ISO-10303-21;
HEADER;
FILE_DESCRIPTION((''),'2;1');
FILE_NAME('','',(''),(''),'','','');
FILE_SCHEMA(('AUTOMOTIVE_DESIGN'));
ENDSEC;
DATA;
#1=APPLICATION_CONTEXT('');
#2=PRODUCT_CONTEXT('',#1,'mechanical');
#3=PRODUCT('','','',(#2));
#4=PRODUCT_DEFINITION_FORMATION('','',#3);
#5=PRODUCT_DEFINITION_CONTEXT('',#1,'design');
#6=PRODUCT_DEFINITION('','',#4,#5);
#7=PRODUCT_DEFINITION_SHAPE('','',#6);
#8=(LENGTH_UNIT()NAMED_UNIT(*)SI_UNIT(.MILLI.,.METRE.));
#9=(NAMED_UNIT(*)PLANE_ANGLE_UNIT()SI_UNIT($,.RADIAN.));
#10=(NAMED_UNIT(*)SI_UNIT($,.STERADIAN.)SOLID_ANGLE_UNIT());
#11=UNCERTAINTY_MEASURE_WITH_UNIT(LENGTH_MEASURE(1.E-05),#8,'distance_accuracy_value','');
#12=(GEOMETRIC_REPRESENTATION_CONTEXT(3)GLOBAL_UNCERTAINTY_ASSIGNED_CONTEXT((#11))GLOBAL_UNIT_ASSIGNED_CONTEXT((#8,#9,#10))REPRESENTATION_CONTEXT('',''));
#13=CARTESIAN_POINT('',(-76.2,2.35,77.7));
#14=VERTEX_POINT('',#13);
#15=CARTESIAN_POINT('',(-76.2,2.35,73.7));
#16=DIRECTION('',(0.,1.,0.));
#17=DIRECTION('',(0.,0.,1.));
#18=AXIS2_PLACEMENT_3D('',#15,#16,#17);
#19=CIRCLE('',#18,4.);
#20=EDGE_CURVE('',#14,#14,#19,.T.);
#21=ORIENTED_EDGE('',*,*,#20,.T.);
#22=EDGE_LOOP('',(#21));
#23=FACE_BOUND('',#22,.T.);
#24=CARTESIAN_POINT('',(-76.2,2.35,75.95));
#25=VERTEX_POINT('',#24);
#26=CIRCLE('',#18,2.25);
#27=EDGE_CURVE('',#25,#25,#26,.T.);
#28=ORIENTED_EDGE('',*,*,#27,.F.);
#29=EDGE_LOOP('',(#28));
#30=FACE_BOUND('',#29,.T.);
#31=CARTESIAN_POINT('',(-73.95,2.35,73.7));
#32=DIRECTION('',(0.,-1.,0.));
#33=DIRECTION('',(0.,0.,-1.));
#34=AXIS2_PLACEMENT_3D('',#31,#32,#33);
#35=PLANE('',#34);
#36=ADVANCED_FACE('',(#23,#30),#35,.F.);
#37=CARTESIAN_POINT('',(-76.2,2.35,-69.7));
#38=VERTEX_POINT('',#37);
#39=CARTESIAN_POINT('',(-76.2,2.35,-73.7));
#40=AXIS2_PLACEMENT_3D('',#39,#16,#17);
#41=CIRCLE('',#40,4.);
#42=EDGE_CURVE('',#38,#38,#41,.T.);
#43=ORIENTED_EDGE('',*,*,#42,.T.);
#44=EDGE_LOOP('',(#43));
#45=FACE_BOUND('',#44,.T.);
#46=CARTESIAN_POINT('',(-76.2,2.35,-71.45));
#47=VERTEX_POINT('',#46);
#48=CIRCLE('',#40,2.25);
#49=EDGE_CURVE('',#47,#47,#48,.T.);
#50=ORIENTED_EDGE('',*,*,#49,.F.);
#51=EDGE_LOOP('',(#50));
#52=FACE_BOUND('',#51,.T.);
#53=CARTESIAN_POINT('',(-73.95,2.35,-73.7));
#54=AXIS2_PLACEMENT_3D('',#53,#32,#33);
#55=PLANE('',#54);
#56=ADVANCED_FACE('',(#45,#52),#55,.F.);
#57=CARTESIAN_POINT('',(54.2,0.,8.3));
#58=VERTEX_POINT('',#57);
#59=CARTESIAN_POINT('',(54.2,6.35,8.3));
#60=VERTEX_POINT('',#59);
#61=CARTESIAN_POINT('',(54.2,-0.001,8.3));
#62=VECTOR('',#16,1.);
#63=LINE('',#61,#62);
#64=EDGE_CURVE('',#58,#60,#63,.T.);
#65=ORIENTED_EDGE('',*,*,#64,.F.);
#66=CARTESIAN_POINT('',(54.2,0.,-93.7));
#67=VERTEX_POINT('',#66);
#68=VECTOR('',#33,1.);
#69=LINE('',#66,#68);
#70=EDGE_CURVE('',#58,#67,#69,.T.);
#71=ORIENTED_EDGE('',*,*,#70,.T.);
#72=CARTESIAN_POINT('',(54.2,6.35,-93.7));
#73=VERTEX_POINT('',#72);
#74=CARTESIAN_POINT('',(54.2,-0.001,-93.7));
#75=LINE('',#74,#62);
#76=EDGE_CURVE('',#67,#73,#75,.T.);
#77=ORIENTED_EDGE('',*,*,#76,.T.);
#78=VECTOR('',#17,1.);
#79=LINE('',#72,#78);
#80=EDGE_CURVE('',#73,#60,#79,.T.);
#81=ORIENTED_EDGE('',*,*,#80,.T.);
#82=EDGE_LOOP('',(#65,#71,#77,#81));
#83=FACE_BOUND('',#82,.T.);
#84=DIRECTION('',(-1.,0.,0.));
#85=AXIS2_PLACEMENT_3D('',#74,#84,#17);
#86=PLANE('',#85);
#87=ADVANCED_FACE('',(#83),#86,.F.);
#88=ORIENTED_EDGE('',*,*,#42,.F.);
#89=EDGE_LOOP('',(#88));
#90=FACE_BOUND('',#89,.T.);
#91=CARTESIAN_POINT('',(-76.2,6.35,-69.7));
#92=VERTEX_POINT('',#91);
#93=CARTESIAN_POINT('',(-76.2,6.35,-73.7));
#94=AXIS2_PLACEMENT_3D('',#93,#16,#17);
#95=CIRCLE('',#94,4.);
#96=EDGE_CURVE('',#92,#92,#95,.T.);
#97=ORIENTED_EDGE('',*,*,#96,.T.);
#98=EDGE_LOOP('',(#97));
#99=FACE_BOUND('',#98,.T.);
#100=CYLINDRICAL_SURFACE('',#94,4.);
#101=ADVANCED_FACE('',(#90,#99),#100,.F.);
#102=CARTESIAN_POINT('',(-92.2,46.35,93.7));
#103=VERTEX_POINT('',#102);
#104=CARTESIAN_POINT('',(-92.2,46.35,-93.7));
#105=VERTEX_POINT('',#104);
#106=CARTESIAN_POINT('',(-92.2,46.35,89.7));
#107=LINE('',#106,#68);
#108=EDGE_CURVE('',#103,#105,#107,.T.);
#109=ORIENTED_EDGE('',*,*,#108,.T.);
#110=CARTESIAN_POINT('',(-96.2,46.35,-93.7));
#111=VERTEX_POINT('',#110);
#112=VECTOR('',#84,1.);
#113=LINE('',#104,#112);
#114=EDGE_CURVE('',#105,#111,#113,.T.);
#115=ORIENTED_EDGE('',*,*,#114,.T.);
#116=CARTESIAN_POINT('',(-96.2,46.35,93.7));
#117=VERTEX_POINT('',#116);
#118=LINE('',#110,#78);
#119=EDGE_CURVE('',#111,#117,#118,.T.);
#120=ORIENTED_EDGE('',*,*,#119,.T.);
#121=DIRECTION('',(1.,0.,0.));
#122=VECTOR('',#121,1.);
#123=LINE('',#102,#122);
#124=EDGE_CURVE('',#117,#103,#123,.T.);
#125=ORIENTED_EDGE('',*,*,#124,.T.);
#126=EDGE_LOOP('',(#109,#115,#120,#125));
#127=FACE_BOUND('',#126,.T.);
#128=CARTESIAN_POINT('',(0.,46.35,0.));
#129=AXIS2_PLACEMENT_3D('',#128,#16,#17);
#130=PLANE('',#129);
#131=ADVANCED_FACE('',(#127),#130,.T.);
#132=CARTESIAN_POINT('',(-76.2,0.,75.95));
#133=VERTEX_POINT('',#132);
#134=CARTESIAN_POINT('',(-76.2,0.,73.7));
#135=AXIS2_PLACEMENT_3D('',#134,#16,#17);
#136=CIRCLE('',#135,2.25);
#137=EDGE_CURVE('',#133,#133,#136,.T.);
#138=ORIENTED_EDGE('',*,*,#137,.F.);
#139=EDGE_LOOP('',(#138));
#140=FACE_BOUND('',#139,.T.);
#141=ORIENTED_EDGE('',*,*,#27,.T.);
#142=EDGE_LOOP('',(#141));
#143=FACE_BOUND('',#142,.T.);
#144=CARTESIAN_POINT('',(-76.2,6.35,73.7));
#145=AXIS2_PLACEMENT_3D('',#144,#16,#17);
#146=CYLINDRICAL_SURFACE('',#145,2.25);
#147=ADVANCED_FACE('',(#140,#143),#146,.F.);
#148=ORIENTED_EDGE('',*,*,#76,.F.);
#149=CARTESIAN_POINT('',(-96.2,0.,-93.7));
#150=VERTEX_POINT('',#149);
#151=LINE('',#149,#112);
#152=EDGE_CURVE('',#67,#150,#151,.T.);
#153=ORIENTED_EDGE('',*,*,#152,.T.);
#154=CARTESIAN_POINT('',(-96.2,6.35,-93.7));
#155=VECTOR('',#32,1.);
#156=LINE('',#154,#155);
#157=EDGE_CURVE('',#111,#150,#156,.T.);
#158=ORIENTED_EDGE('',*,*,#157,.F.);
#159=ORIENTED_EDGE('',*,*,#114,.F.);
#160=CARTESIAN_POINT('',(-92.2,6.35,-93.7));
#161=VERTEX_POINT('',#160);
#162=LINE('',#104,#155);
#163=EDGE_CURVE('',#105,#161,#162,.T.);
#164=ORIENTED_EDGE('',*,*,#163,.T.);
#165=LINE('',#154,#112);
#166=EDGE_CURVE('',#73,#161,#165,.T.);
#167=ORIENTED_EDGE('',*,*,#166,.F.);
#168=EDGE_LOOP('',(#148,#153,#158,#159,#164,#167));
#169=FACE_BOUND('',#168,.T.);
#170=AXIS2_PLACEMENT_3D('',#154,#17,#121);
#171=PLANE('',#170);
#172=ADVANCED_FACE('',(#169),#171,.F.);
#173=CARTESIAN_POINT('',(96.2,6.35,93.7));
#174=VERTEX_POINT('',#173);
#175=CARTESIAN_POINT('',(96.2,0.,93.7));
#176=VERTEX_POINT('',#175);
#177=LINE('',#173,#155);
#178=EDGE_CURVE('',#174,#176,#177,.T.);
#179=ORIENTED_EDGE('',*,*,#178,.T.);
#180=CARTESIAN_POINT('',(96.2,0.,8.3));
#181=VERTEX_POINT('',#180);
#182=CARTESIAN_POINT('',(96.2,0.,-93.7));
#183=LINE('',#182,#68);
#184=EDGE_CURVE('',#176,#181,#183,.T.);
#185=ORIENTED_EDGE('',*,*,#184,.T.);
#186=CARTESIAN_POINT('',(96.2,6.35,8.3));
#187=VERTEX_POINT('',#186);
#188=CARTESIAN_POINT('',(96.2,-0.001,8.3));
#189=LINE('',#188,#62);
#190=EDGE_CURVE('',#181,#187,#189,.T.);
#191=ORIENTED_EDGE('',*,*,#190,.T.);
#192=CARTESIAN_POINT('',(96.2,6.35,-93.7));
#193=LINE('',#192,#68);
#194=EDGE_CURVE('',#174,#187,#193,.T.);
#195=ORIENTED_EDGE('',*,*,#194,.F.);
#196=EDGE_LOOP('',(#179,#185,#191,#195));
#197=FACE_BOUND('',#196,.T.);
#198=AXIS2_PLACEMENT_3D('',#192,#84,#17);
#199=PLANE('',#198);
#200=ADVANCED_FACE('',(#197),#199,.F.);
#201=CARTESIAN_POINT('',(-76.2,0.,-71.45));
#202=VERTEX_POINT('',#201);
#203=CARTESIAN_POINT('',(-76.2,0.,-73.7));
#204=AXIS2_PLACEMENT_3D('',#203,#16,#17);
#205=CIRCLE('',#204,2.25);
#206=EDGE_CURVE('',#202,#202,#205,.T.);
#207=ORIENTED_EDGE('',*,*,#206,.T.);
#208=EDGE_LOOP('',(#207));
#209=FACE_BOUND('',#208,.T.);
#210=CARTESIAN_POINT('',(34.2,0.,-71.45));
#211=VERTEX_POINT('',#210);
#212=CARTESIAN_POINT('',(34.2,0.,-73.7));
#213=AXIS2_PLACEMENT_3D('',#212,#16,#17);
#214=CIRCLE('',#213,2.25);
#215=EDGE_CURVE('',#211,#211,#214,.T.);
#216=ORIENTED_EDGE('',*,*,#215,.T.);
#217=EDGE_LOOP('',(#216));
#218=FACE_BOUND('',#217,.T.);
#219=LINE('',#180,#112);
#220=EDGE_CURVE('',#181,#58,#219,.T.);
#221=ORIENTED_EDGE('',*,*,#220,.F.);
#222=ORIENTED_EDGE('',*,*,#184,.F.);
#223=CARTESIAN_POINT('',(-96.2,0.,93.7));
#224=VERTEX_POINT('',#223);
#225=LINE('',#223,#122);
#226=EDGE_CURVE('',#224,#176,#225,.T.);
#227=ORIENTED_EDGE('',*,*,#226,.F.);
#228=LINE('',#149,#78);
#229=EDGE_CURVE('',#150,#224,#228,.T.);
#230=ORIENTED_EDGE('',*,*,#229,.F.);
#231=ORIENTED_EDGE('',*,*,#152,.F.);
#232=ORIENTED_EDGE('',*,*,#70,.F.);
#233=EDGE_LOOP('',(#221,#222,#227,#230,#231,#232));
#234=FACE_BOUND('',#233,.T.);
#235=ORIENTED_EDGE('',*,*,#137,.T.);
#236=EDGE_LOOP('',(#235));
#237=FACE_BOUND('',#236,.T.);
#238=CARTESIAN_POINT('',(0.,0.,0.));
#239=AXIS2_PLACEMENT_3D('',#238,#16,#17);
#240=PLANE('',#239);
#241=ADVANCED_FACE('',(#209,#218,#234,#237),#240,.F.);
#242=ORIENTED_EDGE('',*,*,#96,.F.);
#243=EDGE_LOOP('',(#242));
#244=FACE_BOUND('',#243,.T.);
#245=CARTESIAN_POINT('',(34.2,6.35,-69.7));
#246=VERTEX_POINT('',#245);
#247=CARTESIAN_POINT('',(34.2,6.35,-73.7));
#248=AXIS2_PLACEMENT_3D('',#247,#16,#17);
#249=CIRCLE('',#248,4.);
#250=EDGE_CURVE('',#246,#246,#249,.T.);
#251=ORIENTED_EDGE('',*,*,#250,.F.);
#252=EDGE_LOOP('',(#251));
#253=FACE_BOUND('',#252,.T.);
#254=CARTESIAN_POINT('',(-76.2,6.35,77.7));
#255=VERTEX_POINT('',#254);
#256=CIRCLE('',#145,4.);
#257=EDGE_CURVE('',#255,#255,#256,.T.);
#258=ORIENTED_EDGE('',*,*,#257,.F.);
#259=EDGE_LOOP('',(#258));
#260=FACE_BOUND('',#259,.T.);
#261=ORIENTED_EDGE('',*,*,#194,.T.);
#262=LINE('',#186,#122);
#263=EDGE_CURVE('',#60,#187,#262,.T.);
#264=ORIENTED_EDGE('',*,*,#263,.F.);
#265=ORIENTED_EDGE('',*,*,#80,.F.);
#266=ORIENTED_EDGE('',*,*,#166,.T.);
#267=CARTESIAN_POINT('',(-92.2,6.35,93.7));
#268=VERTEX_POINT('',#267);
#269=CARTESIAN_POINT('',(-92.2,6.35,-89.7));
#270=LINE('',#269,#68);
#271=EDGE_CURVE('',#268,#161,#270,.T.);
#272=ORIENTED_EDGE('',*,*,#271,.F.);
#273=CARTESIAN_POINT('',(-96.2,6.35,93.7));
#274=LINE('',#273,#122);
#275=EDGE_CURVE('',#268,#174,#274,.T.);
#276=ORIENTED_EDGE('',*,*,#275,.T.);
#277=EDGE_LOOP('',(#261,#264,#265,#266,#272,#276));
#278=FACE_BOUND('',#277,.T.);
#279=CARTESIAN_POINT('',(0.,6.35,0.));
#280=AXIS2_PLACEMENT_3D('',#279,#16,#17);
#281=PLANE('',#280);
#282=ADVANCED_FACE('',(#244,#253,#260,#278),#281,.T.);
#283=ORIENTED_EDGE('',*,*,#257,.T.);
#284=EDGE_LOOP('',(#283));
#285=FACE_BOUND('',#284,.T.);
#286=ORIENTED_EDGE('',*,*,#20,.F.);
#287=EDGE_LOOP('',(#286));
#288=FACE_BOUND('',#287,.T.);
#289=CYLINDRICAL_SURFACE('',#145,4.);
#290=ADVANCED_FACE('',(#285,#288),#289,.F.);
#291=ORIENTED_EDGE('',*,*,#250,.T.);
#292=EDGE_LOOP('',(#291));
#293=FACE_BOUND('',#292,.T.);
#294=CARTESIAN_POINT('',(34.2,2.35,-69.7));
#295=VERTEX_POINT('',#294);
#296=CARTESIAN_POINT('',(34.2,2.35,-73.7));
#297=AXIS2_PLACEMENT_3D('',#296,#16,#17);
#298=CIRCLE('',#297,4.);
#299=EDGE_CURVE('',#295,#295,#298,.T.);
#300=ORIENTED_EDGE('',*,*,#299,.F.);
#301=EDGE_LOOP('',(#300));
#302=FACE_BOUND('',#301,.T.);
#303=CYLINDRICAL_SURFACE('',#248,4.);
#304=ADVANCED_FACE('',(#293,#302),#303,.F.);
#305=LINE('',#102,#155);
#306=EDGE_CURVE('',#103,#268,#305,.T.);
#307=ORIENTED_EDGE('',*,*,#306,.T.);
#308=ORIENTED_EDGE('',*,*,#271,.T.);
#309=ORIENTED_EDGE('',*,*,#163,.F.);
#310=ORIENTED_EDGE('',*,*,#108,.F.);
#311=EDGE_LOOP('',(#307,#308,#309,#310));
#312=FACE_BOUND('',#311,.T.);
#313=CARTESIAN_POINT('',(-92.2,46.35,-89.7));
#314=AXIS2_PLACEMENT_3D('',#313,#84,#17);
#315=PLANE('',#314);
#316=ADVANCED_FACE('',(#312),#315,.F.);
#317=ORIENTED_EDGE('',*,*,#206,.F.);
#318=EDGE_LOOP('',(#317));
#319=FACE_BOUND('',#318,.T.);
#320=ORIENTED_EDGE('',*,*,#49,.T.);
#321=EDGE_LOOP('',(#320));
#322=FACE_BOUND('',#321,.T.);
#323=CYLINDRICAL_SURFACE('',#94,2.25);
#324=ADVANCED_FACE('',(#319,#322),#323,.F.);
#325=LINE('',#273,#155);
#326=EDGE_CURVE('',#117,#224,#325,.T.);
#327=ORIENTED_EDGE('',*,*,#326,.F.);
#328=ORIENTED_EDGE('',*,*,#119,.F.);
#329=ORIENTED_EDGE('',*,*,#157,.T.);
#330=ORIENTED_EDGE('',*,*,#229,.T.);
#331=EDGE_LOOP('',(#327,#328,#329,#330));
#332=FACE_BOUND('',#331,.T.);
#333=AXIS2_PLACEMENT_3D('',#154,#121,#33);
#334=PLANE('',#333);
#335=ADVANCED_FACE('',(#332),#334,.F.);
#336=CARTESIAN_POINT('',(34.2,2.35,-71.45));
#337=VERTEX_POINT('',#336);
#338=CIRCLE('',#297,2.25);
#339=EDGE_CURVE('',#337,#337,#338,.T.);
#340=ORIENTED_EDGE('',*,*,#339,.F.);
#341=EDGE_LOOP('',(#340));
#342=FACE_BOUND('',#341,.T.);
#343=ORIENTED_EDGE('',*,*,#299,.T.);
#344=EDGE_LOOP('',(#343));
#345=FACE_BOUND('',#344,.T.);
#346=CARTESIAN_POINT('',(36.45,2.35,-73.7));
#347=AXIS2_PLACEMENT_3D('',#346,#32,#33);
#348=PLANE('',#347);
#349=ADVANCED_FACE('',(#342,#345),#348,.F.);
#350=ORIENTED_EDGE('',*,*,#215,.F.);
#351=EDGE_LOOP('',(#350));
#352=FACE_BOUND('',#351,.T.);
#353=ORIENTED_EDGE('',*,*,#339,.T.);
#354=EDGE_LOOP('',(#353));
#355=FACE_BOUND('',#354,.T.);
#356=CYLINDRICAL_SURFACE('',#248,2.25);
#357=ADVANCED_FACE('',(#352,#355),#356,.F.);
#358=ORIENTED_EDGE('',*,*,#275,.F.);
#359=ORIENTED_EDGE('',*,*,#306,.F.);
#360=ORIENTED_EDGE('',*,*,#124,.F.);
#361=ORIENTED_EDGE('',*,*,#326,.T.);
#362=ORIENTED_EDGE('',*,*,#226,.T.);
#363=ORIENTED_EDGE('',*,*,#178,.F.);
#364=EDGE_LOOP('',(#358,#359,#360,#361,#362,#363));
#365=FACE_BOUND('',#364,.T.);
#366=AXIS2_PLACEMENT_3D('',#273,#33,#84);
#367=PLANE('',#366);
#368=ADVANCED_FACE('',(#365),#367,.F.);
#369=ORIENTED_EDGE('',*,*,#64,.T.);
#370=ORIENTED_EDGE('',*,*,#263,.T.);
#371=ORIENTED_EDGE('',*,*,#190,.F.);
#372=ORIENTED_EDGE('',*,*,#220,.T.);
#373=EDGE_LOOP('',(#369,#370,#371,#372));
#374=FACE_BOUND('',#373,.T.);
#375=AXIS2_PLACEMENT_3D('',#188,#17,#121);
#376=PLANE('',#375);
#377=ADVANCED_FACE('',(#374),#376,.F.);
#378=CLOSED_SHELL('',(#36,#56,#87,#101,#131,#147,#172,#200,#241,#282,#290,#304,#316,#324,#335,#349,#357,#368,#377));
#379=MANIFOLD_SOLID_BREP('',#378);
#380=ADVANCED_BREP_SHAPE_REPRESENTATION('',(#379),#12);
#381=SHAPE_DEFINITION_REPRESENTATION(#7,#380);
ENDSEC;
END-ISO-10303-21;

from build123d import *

# Parameters (mm, degrees)
SKETCH1_W                      = 192.4
SKETCH1_H                      = 187.4
BOSS_EXTRUDE1_DEPTH            = 6.35
BOSS_EXTRUDE2_DEPTH            = 40
CUT_EXTRUDE1_REACH             = 142.122
SKETCH4_W                      = 42
SKETCH4_H                      = 102
CBORE_FOR_M4_SHCS1_D           = 4.5
CBORE_FOR_M4_SHCS1_CBORE_D     = 8
CBORE_FOR_M4_SHCS1_CBORE_DEPTH = 4


with BuildPart() as part:
    # Sketch1 → Boss-Extrude1 (new body)
    with BuildSketch(Plane(origin=(0, 0, 0), x_dir=(1, 0, 0), z_dir=(0, 1, 0))):
        Rectangle(SKETCH1_W, SKETCH1_H)
    extrude(amount=BOSS_EXTRUDE1_DEPTH)

    # Sketch2 → Boss-Extrude2 (add)
    with BuildSketch(Plane(origin=(0, 6.35, 0), x_dir=(1, 0, 0), z_dir=(0, 1, 0))):
        Polygon((-92.2, 89.7), (-92.2, -89.7), (-92.2, -93.7), (-96.2, -93.7), (-96.2, 93.7), (-92.2, 93.7), align=None)
    extrude(amount=BOSS_EXTRUDE2_DEPTH)

    # Sketch4 → Cut-Extrude1 (cut, up to next)
    with BuildSketch(Plane(origin=(0, 6.35, 0), x_dir=(1, 0, 0), z_dir=(0, 1, 0)), mode=Mode.PRIVATE) as cut_extrude1_sk1:
        with Locations((75.2, 42.7)):
            Rectangle(SKETCH4_W, SKETCH4_H)
    cut_extrude1_tool1 = extrude(cut_extrude1_sk1.sketch, amount=-CUT_EXTRUDE1_REACH, mode=Mode.PRIVATE) & part.part
    add(cut_extrude1_tool1.solids().sort_by_distance((75.2, 6.35, -42.7))[0], mode=Mode.SUBTRACT)

    # CBORE for M4 SHCS1 (through all)
    with Locations(Plane(origin=(0, 6.35, 0), x_dir=(1, 0, 0), z_dir=(0, 1, 0))):
        with Locations((34.2, 73.7), (-76.2, 73.7), (-76.2, -73.7)):
            CounterBoreHole(CBORE_FOR_M4_SHCS1_D / 2, CBORE_FOR_M4_SHCS1_CBORE_D / 2, CBORE_FOR_M4_SHCS1_CBORE_DEPTH)


solid = part.part
